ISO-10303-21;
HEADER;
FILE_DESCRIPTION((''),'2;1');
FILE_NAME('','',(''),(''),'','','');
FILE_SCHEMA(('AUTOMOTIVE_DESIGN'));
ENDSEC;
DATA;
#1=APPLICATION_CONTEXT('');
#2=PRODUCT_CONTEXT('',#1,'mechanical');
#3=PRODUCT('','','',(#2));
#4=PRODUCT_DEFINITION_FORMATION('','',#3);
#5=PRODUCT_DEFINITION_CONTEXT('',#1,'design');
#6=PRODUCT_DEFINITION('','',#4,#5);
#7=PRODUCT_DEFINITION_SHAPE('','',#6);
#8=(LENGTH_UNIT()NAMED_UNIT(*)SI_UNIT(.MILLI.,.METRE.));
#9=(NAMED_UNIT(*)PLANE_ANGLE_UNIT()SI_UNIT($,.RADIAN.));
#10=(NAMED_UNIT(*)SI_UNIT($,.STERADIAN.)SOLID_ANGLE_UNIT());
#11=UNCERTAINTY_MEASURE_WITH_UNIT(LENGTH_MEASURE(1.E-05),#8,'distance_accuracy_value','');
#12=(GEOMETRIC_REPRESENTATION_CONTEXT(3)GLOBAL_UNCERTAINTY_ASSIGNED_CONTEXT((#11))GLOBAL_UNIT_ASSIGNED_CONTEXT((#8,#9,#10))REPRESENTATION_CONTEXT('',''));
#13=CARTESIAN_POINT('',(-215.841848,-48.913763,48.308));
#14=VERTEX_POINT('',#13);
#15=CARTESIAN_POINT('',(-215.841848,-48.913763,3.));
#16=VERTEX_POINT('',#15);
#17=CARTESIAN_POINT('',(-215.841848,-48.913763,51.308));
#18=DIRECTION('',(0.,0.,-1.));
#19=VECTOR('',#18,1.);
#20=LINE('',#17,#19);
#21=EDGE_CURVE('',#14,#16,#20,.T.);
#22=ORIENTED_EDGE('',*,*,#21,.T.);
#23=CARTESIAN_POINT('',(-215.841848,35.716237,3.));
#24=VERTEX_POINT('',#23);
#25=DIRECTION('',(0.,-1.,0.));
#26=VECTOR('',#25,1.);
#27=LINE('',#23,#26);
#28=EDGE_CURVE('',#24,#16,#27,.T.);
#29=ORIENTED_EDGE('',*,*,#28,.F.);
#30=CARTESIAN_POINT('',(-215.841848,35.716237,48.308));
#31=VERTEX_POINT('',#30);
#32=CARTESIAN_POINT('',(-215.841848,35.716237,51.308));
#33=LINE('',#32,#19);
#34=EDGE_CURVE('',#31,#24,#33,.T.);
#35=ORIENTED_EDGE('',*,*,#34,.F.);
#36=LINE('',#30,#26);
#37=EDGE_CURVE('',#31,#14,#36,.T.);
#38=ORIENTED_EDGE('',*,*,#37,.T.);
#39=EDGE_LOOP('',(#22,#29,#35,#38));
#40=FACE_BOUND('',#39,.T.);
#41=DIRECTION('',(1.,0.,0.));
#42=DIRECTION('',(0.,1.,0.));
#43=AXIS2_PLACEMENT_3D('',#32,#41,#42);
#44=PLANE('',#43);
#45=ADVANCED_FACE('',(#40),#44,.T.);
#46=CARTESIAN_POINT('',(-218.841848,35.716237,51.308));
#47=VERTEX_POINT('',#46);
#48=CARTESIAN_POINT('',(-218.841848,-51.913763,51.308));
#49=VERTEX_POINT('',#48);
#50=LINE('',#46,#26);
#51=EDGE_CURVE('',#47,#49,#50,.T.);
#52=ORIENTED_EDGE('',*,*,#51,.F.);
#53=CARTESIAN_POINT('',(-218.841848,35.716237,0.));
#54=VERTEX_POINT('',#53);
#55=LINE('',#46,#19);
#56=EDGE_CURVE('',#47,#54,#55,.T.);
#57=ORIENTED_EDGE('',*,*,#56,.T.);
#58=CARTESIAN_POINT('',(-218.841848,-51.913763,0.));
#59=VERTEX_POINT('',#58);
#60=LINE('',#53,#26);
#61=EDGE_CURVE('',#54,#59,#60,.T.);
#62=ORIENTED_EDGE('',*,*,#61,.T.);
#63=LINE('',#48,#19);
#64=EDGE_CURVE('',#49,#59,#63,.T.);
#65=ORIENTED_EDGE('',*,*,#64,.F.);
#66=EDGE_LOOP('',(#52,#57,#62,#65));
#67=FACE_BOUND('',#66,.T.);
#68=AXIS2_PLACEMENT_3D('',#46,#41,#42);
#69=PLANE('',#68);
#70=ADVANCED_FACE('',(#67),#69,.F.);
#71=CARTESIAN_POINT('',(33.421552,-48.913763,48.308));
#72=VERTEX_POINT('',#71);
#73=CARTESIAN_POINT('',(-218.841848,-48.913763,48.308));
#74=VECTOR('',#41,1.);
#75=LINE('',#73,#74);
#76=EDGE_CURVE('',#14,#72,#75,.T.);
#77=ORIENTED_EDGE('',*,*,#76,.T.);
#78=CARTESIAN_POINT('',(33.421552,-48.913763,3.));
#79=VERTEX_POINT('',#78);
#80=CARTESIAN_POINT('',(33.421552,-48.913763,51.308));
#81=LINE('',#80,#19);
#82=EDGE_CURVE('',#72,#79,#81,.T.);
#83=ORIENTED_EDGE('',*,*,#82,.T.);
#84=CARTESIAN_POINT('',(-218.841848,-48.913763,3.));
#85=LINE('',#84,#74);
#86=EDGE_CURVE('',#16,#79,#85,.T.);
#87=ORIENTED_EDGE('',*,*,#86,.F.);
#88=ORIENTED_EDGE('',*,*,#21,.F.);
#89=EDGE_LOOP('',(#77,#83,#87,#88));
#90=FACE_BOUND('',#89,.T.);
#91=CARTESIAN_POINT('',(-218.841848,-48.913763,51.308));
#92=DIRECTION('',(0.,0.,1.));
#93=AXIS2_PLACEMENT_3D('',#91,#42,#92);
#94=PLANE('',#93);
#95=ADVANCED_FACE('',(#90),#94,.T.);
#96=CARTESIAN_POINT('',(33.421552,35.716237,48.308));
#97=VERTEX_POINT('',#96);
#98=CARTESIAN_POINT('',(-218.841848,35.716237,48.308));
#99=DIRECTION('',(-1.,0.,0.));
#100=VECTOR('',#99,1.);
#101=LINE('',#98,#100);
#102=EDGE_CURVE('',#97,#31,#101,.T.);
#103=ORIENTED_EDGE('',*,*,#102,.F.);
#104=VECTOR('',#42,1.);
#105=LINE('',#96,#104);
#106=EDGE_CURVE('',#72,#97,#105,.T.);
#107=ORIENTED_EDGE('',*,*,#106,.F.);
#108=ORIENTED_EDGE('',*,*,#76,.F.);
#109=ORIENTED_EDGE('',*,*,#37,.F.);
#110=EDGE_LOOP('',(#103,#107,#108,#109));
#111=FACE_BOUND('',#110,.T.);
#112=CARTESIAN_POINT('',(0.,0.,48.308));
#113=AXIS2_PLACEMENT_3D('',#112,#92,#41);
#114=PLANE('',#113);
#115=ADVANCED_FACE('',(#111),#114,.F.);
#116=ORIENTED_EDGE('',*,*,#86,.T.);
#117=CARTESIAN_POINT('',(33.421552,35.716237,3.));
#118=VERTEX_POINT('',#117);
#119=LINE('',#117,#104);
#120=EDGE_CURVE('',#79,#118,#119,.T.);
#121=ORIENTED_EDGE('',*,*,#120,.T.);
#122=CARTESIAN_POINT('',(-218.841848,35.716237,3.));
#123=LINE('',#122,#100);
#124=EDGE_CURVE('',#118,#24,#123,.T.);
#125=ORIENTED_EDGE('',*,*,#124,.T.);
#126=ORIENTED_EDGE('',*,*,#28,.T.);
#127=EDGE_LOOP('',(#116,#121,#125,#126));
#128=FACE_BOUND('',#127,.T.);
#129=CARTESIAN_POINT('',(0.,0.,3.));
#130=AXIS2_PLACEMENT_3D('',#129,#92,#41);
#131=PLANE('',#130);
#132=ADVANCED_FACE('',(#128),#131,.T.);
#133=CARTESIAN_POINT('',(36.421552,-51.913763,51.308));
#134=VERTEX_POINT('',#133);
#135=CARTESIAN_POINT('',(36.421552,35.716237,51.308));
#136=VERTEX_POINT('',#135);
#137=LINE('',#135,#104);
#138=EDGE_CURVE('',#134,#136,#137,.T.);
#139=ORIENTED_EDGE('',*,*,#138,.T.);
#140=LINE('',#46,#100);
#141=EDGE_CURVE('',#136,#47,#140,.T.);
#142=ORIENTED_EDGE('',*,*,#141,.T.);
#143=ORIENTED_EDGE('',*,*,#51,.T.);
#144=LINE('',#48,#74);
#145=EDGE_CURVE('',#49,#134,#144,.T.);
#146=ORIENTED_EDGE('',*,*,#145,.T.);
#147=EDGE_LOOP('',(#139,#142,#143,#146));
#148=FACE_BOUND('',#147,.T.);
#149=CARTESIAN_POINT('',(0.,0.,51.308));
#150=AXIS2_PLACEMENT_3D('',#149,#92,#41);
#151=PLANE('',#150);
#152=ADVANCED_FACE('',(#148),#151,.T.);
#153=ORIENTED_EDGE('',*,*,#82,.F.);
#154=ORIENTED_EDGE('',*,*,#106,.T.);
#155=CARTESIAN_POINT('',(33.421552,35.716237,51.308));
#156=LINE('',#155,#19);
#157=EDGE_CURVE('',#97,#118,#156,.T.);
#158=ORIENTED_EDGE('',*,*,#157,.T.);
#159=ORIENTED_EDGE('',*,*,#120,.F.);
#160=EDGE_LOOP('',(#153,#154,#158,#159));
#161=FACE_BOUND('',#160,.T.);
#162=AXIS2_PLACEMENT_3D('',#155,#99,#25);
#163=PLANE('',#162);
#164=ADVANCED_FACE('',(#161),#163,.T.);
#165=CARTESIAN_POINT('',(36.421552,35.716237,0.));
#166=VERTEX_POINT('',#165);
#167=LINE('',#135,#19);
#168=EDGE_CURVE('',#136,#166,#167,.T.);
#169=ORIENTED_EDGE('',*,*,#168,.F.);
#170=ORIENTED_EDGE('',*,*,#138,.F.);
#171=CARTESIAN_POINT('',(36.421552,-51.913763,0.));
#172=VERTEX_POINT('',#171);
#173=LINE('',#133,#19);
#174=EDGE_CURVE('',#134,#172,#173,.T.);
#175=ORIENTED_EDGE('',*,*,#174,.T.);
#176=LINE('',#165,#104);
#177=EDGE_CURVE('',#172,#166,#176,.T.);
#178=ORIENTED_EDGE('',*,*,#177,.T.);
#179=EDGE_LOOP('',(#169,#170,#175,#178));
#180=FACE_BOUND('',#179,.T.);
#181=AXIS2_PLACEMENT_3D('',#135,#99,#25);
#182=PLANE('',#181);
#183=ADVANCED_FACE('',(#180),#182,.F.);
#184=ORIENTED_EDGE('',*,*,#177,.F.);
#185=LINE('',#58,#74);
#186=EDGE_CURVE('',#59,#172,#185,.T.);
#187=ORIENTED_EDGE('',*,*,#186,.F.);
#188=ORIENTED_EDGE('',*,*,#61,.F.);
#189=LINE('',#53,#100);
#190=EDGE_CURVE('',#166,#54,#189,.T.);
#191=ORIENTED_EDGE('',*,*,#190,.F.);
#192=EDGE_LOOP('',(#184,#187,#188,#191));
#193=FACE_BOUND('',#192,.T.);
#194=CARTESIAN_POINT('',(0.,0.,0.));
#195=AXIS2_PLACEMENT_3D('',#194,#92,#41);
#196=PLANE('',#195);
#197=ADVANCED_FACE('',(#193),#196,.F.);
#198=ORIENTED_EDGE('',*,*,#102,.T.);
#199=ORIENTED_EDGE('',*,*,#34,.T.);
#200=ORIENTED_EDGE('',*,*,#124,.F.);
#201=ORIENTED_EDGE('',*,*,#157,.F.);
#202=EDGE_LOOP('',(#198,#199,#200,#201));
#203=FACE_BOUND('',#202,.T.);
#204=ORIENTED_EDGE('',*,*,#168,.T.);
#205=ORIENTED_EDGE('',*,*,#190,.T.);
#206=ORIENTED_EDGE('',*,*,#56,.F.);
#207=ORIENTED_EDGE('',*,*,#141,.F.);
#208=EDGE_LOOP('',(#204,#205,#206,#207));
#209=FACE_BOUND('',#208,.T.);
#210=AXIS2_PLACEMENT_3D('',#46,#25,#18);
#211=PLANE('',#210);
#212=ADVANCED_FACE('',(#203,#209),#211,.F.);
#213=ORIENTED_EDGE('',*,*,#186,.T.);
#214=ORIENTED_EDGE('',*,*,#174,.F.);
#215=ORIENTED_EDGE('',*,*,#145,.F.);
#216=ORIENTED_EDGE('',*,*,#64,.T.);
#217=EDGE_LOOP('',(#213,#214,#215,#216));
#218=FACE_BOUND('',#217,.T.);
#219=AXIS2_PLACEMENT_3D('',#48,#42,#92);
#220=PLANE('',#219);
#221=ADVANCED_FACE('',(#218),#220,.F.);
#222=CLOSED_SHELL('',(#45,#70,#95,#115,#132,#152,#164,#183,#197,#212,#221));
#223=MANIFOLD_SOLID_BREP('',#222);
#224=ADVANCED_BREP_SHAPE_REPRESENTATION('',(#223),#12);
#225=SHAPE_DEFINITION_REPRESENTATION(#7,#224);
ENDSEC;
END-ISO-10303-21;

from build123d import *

# Parameters (mm, degrees)
SKETCH1_W           = 255.2634
SKETCH1_H           = 87.63
BOSS_EXTRUDE1_DEPTH = 51.308
SHELL1_T            = -3


with BuildPart() as part:
    # Sketch1 → Boss-Extrude1 (new body)
    with BuildSketch(Plane.XY):
        with Locations((-91.210148042, -8.098763373)):
            Rectangle(SKETCH1_W, SKETCH1_H)
    extrude(amount=BOSS_EXTRUDE1_DEPTH)

    # Shell1
    shell1_openings = [part.faces().sort_by_distance(p)[0] for p in [
        (-91.210148042, 35.716236627, 25.654),
    ]]
    offset(amount=SHELL1_T, openings=shell1_openings, kind=Kind.INTERSECTION)


solid = part.part
